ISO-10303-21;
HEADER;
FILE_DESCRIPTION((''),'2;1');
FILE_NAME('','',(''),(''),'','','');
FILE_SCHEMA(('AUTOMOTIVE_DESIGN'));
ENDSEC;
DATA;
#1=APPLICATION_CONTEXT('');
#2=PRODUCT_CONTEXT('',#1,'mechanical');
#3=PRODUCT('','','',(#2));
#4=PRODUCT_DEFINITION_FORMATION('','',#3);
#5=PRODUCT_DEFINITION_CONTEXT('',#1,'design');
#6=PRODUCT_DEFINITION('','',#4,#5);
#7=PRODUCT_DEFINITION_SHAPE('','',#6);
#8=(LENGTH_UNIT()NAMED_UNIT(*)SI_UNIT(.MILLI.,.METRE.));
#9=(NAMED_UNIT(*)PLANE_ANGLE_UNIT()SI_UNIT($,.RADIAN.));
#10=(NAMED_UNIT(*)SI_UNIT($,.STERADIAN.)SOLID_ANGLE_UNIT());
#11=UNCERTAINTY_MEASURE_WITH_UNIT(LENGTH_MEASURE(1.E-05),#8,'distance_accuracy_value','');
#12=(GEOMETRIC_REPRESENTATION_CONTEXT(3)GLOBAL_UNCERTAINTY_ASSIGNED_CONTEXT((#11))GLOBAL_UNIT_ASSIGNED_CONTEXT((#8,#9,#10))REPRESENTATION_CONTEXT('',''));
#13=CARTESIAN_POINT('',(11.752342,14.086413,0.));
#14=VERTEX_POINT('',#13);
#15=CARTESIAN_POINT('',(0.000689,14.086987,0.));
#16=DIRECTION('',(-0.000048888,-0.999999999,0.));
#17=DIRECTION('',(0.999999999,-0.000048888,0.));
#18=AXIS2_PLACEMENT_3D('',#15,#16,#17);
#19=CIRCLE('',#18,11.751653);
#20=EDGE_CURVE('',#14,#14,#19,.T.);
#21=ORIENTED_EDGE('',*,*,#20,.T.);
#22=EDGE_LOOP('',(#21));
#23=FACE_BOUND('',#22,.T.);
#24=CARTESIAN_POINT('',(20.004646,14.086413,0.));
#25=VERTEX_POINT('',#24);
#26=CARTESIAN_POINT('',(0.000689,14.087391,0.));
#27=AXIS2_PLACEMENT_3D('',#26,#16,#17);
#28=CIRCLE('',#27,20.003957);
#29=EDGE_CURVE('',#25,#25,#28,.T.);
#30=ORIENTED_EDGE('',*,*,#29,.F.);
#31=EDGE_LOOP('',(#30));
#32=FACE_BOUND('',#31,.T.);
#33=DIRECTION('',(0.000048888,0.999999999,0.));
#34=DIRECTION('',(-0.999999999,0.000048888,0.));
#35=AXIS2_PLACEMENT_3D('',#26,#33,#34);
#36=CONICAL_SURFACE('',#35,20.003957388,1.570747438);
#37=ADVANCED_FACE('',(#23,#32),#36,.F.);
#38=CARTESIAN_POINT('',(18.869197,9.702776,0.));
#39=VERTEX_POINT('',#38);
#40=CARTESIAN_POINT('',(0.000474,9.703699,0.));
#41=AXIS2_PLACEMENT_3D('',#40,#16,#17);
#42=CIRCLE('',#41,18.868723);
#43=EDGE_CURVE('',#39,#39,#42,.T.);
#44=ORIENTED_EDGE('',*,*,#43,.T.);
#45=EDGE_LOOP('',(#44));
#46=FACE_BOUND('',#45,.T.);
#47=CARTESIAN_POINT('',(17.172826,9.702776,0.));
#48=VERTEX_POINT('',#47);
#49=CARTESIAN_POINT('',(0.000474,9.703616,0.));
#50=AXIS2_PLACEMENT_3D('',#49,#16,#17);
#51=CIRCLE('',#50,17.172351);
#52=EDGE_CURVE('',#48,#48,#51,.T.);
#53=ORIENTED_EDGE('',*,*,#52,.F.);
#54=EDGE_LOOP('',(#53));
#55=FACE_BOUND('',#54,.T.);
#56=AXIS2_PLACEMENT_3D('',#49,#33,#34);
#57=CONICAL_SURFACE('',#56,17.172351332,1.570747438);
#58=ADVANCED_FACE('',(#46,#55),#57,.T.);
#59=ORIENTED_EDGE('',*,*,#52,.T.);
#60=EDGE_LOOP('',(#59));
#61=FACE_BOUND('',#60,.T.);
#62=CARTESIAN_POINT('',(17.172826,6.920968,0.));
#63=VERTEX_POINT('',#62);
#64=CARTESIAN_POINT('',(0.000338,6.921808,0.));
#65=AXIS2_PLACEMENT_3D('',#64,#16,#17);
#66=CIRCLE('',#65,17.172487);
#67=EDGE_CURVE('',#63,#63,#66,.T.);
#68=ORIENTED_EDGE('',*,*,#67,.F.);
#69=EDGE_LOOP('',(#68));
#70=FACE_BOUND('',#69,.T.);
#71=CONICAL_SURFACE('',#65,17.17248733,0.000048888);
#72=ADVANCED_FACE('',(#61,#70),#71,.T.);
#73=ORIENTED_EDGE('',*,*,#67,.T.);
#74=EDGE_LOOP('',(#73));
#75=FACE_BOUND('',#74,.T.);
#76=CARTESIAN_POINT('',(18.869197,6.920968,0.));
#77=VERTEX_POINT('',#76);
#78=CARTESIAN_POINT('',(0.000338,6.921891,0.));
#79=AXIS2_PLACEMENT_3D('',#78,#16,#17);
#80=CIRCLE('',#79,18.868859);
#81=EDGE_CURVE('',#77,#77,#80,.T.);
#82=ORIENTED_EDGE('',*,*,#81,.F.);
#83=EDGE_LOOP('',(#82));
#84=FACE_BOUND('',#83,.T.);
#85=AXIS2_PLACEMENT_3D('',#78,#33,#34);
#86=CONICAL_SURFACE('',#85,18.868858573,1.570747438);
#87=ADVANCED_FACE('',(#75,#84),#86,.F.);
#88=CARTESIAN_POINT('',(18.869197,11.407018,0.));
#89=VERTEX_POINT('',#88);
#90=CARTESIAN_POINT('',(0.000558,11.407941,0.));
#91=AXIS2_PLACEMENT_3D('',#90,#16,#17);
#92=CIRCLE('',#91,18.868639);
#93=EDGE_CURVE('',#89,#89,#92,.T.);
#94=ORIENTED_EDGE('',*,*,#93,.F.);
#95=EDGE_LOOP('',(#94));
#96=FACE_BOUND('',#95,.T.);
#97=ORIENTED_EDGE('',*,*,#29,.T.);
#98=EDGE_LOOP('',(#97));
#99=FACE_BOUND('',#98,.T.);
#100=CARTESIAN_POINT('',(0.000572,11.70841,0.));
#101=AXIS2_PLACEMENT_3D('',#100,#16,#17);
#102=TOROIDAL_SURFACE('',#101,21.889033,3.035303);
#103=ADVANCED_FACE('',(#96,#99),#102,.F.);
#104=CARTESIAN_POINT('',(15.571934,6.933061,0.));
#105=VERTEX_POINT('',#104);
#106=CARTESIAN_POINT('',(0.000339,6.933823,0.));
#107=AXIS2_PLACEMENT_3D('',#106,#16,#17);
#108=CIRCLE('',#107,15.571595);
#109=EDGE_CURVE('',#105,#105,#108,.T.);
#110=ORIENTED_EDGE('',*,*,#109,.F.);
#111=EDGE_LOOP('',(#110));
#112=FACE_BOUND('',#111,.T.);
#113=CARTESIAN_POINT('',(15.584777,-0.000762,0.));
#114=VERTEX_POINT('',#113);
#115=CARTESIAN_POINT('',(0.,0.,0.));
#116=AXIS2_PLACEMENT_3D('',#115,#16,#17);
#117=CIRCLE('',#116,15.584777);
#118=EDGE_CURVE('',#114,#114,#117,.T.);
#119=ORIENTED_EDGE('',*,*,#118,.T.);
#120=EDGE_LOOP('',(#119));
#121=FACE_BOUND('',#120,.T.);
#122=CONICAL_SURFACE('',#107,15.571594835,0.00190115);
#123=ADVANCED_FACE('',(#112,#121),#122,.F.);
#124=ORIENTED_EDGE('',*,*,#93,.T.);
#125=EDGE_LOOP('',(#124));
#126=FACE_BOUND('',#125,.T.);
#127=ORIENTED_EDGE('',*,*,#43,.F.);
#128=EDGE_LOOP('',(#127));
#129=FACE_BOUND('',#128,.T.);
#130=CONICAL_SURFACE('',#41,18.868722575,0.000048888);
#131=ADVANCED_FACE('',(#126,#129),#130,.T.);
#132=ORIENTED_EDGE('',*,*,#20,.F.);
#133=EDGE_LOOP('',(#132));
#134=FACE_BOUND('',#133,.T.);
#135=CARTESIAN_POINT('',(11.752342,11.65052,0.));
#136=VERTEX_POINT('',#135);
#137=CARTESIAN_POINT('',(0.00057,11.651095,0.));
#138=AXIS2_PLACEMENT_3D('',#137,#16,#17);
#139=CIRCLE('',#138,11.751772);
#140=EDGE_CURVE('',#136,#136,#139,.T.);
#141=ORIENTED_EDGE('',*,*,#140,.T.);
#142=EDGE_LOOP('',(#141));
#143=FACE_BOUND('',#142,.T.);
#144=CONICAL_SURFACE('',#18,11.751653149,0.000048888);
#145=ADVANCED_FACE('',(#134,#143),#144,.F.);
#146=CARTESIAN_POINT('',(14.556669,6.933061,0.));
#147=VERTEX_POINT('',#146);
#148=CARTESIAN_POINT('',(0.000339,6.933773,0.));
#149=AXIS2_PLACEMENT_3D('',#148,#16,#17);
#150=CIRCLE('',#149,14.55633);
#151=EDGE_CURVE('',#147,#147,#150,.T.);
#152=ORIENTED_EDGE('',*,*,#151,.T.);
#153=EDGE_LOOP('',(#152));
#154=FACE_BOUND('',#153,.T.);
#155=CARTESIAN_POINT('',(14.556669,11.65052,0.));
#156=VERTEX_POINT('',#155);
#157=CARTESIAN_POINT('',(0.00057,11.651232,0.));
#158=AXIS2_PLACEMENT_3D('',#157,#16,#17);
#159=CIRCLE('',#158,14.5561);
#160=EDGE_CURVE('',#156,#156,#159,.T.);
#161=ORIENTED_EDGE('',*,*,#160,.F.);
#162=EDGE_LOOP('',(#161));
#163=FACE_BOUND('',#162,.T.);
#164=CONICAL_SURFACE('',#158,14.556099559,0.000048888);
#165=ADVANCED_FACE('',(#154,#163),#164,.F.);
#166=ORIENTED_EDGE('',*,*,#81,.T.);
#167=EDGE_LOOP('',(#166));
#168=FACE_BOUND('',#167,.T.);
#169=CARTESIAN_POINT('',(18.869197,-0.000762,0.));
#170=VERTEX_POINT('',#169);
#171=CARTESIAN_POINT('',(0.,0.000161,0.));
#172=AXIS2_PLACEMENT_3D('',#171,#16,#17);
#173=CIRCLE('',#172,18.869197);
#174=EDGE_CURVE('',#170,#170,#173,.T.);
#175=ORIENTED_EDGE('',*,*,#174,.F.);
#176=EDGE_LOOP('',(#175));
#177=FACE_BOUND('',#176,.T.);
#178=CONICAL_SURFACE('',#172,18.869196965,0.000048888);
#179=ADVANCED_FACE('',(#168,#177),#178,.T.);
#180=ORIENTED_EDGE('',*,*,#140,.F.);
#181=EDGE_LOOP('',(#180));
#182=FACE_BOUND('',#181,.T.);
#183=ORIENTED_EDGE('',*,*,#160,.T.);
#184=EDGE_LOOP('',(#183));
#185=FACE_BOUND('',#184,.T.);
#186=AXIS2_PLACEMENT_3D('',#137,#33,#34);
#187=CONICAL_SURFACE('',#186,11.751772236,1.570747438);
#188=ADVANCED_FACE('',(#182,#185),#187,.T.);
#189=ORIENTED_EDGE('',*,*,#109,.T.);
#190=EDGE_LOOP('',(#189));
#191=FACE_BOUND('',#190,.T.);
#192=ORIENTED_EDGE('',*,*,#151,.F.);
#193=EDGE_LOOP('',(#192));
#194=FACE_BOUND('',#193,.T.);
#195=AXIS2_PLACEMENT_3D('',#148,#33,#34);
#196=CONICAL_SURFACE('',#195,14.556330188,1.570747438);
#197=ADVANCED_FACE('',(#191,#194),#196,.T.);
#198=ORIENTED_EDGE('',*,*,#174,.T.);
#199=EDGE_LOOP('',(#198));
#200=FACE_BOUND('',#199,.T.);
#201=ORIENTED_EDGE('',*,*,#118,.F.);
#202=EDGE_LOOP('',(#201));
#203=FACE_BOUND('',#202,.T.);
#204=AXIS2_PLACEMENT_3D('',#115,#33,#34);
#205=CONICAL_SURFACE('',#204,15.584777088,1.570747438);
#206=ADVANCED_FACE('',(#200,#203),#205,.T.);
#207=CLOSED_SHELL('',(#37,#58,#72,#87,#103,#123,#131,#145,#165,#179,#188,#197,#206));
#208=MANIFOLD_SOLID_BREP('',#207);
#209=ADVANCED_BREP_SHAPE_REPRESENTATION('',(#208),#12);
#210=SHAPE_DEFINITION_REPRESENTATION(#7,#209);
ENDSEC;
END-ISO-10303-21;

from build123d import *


with BuildPart() as part:
    # Çizim1 → Döndür1 (revolve)
    with BuildSketch(Plane.XY):
        with BuildLine():
            Line((20.004646073, 14.086412588), (11.752341824, 14.086412588))
            Line((11.752341824, 14.086412588), (11.752341824, 11.650520397))
            Line((11.752341824, 11.650520397), (14.556669151, 11.650520397))
            Line((14.556669151, 11.650520397), (14.556669151, 6.933061355))
            Line((14.556669151, 6.933061355), (15.5719338, 6.933061355))
            Line((15.5719338, 6.933061355), (15.584777069, -0.000761914))
            Line((15.584777069, -0.000761914), (18.86919695, -0.000761914))
            Line((18.86919695, -0.000761914), (18.86919695, 6.920968361))
            Line((18.86919695, 6.920968361), (17.172825705, 6.920968361))
            Line((17.172825705, 6.920968361), (17.172825705, 9.702776459))
            Line((17.172825705, 9.702776459), (18.86919695, 9.702776459))
            Line((18.86919695, 9.702776459), (18.86919695, 11.407018185))
            ThreePointArc((18.86919695, 11.407018185), (19.094887766, 12.891659302), (20.004646073, 14.086412588))
        make_face()
    revolve(axis=Axis((0, 0, 0), (4.8888323348096654e-05, 0.9999999988049659, 0)))


solid = part.part
